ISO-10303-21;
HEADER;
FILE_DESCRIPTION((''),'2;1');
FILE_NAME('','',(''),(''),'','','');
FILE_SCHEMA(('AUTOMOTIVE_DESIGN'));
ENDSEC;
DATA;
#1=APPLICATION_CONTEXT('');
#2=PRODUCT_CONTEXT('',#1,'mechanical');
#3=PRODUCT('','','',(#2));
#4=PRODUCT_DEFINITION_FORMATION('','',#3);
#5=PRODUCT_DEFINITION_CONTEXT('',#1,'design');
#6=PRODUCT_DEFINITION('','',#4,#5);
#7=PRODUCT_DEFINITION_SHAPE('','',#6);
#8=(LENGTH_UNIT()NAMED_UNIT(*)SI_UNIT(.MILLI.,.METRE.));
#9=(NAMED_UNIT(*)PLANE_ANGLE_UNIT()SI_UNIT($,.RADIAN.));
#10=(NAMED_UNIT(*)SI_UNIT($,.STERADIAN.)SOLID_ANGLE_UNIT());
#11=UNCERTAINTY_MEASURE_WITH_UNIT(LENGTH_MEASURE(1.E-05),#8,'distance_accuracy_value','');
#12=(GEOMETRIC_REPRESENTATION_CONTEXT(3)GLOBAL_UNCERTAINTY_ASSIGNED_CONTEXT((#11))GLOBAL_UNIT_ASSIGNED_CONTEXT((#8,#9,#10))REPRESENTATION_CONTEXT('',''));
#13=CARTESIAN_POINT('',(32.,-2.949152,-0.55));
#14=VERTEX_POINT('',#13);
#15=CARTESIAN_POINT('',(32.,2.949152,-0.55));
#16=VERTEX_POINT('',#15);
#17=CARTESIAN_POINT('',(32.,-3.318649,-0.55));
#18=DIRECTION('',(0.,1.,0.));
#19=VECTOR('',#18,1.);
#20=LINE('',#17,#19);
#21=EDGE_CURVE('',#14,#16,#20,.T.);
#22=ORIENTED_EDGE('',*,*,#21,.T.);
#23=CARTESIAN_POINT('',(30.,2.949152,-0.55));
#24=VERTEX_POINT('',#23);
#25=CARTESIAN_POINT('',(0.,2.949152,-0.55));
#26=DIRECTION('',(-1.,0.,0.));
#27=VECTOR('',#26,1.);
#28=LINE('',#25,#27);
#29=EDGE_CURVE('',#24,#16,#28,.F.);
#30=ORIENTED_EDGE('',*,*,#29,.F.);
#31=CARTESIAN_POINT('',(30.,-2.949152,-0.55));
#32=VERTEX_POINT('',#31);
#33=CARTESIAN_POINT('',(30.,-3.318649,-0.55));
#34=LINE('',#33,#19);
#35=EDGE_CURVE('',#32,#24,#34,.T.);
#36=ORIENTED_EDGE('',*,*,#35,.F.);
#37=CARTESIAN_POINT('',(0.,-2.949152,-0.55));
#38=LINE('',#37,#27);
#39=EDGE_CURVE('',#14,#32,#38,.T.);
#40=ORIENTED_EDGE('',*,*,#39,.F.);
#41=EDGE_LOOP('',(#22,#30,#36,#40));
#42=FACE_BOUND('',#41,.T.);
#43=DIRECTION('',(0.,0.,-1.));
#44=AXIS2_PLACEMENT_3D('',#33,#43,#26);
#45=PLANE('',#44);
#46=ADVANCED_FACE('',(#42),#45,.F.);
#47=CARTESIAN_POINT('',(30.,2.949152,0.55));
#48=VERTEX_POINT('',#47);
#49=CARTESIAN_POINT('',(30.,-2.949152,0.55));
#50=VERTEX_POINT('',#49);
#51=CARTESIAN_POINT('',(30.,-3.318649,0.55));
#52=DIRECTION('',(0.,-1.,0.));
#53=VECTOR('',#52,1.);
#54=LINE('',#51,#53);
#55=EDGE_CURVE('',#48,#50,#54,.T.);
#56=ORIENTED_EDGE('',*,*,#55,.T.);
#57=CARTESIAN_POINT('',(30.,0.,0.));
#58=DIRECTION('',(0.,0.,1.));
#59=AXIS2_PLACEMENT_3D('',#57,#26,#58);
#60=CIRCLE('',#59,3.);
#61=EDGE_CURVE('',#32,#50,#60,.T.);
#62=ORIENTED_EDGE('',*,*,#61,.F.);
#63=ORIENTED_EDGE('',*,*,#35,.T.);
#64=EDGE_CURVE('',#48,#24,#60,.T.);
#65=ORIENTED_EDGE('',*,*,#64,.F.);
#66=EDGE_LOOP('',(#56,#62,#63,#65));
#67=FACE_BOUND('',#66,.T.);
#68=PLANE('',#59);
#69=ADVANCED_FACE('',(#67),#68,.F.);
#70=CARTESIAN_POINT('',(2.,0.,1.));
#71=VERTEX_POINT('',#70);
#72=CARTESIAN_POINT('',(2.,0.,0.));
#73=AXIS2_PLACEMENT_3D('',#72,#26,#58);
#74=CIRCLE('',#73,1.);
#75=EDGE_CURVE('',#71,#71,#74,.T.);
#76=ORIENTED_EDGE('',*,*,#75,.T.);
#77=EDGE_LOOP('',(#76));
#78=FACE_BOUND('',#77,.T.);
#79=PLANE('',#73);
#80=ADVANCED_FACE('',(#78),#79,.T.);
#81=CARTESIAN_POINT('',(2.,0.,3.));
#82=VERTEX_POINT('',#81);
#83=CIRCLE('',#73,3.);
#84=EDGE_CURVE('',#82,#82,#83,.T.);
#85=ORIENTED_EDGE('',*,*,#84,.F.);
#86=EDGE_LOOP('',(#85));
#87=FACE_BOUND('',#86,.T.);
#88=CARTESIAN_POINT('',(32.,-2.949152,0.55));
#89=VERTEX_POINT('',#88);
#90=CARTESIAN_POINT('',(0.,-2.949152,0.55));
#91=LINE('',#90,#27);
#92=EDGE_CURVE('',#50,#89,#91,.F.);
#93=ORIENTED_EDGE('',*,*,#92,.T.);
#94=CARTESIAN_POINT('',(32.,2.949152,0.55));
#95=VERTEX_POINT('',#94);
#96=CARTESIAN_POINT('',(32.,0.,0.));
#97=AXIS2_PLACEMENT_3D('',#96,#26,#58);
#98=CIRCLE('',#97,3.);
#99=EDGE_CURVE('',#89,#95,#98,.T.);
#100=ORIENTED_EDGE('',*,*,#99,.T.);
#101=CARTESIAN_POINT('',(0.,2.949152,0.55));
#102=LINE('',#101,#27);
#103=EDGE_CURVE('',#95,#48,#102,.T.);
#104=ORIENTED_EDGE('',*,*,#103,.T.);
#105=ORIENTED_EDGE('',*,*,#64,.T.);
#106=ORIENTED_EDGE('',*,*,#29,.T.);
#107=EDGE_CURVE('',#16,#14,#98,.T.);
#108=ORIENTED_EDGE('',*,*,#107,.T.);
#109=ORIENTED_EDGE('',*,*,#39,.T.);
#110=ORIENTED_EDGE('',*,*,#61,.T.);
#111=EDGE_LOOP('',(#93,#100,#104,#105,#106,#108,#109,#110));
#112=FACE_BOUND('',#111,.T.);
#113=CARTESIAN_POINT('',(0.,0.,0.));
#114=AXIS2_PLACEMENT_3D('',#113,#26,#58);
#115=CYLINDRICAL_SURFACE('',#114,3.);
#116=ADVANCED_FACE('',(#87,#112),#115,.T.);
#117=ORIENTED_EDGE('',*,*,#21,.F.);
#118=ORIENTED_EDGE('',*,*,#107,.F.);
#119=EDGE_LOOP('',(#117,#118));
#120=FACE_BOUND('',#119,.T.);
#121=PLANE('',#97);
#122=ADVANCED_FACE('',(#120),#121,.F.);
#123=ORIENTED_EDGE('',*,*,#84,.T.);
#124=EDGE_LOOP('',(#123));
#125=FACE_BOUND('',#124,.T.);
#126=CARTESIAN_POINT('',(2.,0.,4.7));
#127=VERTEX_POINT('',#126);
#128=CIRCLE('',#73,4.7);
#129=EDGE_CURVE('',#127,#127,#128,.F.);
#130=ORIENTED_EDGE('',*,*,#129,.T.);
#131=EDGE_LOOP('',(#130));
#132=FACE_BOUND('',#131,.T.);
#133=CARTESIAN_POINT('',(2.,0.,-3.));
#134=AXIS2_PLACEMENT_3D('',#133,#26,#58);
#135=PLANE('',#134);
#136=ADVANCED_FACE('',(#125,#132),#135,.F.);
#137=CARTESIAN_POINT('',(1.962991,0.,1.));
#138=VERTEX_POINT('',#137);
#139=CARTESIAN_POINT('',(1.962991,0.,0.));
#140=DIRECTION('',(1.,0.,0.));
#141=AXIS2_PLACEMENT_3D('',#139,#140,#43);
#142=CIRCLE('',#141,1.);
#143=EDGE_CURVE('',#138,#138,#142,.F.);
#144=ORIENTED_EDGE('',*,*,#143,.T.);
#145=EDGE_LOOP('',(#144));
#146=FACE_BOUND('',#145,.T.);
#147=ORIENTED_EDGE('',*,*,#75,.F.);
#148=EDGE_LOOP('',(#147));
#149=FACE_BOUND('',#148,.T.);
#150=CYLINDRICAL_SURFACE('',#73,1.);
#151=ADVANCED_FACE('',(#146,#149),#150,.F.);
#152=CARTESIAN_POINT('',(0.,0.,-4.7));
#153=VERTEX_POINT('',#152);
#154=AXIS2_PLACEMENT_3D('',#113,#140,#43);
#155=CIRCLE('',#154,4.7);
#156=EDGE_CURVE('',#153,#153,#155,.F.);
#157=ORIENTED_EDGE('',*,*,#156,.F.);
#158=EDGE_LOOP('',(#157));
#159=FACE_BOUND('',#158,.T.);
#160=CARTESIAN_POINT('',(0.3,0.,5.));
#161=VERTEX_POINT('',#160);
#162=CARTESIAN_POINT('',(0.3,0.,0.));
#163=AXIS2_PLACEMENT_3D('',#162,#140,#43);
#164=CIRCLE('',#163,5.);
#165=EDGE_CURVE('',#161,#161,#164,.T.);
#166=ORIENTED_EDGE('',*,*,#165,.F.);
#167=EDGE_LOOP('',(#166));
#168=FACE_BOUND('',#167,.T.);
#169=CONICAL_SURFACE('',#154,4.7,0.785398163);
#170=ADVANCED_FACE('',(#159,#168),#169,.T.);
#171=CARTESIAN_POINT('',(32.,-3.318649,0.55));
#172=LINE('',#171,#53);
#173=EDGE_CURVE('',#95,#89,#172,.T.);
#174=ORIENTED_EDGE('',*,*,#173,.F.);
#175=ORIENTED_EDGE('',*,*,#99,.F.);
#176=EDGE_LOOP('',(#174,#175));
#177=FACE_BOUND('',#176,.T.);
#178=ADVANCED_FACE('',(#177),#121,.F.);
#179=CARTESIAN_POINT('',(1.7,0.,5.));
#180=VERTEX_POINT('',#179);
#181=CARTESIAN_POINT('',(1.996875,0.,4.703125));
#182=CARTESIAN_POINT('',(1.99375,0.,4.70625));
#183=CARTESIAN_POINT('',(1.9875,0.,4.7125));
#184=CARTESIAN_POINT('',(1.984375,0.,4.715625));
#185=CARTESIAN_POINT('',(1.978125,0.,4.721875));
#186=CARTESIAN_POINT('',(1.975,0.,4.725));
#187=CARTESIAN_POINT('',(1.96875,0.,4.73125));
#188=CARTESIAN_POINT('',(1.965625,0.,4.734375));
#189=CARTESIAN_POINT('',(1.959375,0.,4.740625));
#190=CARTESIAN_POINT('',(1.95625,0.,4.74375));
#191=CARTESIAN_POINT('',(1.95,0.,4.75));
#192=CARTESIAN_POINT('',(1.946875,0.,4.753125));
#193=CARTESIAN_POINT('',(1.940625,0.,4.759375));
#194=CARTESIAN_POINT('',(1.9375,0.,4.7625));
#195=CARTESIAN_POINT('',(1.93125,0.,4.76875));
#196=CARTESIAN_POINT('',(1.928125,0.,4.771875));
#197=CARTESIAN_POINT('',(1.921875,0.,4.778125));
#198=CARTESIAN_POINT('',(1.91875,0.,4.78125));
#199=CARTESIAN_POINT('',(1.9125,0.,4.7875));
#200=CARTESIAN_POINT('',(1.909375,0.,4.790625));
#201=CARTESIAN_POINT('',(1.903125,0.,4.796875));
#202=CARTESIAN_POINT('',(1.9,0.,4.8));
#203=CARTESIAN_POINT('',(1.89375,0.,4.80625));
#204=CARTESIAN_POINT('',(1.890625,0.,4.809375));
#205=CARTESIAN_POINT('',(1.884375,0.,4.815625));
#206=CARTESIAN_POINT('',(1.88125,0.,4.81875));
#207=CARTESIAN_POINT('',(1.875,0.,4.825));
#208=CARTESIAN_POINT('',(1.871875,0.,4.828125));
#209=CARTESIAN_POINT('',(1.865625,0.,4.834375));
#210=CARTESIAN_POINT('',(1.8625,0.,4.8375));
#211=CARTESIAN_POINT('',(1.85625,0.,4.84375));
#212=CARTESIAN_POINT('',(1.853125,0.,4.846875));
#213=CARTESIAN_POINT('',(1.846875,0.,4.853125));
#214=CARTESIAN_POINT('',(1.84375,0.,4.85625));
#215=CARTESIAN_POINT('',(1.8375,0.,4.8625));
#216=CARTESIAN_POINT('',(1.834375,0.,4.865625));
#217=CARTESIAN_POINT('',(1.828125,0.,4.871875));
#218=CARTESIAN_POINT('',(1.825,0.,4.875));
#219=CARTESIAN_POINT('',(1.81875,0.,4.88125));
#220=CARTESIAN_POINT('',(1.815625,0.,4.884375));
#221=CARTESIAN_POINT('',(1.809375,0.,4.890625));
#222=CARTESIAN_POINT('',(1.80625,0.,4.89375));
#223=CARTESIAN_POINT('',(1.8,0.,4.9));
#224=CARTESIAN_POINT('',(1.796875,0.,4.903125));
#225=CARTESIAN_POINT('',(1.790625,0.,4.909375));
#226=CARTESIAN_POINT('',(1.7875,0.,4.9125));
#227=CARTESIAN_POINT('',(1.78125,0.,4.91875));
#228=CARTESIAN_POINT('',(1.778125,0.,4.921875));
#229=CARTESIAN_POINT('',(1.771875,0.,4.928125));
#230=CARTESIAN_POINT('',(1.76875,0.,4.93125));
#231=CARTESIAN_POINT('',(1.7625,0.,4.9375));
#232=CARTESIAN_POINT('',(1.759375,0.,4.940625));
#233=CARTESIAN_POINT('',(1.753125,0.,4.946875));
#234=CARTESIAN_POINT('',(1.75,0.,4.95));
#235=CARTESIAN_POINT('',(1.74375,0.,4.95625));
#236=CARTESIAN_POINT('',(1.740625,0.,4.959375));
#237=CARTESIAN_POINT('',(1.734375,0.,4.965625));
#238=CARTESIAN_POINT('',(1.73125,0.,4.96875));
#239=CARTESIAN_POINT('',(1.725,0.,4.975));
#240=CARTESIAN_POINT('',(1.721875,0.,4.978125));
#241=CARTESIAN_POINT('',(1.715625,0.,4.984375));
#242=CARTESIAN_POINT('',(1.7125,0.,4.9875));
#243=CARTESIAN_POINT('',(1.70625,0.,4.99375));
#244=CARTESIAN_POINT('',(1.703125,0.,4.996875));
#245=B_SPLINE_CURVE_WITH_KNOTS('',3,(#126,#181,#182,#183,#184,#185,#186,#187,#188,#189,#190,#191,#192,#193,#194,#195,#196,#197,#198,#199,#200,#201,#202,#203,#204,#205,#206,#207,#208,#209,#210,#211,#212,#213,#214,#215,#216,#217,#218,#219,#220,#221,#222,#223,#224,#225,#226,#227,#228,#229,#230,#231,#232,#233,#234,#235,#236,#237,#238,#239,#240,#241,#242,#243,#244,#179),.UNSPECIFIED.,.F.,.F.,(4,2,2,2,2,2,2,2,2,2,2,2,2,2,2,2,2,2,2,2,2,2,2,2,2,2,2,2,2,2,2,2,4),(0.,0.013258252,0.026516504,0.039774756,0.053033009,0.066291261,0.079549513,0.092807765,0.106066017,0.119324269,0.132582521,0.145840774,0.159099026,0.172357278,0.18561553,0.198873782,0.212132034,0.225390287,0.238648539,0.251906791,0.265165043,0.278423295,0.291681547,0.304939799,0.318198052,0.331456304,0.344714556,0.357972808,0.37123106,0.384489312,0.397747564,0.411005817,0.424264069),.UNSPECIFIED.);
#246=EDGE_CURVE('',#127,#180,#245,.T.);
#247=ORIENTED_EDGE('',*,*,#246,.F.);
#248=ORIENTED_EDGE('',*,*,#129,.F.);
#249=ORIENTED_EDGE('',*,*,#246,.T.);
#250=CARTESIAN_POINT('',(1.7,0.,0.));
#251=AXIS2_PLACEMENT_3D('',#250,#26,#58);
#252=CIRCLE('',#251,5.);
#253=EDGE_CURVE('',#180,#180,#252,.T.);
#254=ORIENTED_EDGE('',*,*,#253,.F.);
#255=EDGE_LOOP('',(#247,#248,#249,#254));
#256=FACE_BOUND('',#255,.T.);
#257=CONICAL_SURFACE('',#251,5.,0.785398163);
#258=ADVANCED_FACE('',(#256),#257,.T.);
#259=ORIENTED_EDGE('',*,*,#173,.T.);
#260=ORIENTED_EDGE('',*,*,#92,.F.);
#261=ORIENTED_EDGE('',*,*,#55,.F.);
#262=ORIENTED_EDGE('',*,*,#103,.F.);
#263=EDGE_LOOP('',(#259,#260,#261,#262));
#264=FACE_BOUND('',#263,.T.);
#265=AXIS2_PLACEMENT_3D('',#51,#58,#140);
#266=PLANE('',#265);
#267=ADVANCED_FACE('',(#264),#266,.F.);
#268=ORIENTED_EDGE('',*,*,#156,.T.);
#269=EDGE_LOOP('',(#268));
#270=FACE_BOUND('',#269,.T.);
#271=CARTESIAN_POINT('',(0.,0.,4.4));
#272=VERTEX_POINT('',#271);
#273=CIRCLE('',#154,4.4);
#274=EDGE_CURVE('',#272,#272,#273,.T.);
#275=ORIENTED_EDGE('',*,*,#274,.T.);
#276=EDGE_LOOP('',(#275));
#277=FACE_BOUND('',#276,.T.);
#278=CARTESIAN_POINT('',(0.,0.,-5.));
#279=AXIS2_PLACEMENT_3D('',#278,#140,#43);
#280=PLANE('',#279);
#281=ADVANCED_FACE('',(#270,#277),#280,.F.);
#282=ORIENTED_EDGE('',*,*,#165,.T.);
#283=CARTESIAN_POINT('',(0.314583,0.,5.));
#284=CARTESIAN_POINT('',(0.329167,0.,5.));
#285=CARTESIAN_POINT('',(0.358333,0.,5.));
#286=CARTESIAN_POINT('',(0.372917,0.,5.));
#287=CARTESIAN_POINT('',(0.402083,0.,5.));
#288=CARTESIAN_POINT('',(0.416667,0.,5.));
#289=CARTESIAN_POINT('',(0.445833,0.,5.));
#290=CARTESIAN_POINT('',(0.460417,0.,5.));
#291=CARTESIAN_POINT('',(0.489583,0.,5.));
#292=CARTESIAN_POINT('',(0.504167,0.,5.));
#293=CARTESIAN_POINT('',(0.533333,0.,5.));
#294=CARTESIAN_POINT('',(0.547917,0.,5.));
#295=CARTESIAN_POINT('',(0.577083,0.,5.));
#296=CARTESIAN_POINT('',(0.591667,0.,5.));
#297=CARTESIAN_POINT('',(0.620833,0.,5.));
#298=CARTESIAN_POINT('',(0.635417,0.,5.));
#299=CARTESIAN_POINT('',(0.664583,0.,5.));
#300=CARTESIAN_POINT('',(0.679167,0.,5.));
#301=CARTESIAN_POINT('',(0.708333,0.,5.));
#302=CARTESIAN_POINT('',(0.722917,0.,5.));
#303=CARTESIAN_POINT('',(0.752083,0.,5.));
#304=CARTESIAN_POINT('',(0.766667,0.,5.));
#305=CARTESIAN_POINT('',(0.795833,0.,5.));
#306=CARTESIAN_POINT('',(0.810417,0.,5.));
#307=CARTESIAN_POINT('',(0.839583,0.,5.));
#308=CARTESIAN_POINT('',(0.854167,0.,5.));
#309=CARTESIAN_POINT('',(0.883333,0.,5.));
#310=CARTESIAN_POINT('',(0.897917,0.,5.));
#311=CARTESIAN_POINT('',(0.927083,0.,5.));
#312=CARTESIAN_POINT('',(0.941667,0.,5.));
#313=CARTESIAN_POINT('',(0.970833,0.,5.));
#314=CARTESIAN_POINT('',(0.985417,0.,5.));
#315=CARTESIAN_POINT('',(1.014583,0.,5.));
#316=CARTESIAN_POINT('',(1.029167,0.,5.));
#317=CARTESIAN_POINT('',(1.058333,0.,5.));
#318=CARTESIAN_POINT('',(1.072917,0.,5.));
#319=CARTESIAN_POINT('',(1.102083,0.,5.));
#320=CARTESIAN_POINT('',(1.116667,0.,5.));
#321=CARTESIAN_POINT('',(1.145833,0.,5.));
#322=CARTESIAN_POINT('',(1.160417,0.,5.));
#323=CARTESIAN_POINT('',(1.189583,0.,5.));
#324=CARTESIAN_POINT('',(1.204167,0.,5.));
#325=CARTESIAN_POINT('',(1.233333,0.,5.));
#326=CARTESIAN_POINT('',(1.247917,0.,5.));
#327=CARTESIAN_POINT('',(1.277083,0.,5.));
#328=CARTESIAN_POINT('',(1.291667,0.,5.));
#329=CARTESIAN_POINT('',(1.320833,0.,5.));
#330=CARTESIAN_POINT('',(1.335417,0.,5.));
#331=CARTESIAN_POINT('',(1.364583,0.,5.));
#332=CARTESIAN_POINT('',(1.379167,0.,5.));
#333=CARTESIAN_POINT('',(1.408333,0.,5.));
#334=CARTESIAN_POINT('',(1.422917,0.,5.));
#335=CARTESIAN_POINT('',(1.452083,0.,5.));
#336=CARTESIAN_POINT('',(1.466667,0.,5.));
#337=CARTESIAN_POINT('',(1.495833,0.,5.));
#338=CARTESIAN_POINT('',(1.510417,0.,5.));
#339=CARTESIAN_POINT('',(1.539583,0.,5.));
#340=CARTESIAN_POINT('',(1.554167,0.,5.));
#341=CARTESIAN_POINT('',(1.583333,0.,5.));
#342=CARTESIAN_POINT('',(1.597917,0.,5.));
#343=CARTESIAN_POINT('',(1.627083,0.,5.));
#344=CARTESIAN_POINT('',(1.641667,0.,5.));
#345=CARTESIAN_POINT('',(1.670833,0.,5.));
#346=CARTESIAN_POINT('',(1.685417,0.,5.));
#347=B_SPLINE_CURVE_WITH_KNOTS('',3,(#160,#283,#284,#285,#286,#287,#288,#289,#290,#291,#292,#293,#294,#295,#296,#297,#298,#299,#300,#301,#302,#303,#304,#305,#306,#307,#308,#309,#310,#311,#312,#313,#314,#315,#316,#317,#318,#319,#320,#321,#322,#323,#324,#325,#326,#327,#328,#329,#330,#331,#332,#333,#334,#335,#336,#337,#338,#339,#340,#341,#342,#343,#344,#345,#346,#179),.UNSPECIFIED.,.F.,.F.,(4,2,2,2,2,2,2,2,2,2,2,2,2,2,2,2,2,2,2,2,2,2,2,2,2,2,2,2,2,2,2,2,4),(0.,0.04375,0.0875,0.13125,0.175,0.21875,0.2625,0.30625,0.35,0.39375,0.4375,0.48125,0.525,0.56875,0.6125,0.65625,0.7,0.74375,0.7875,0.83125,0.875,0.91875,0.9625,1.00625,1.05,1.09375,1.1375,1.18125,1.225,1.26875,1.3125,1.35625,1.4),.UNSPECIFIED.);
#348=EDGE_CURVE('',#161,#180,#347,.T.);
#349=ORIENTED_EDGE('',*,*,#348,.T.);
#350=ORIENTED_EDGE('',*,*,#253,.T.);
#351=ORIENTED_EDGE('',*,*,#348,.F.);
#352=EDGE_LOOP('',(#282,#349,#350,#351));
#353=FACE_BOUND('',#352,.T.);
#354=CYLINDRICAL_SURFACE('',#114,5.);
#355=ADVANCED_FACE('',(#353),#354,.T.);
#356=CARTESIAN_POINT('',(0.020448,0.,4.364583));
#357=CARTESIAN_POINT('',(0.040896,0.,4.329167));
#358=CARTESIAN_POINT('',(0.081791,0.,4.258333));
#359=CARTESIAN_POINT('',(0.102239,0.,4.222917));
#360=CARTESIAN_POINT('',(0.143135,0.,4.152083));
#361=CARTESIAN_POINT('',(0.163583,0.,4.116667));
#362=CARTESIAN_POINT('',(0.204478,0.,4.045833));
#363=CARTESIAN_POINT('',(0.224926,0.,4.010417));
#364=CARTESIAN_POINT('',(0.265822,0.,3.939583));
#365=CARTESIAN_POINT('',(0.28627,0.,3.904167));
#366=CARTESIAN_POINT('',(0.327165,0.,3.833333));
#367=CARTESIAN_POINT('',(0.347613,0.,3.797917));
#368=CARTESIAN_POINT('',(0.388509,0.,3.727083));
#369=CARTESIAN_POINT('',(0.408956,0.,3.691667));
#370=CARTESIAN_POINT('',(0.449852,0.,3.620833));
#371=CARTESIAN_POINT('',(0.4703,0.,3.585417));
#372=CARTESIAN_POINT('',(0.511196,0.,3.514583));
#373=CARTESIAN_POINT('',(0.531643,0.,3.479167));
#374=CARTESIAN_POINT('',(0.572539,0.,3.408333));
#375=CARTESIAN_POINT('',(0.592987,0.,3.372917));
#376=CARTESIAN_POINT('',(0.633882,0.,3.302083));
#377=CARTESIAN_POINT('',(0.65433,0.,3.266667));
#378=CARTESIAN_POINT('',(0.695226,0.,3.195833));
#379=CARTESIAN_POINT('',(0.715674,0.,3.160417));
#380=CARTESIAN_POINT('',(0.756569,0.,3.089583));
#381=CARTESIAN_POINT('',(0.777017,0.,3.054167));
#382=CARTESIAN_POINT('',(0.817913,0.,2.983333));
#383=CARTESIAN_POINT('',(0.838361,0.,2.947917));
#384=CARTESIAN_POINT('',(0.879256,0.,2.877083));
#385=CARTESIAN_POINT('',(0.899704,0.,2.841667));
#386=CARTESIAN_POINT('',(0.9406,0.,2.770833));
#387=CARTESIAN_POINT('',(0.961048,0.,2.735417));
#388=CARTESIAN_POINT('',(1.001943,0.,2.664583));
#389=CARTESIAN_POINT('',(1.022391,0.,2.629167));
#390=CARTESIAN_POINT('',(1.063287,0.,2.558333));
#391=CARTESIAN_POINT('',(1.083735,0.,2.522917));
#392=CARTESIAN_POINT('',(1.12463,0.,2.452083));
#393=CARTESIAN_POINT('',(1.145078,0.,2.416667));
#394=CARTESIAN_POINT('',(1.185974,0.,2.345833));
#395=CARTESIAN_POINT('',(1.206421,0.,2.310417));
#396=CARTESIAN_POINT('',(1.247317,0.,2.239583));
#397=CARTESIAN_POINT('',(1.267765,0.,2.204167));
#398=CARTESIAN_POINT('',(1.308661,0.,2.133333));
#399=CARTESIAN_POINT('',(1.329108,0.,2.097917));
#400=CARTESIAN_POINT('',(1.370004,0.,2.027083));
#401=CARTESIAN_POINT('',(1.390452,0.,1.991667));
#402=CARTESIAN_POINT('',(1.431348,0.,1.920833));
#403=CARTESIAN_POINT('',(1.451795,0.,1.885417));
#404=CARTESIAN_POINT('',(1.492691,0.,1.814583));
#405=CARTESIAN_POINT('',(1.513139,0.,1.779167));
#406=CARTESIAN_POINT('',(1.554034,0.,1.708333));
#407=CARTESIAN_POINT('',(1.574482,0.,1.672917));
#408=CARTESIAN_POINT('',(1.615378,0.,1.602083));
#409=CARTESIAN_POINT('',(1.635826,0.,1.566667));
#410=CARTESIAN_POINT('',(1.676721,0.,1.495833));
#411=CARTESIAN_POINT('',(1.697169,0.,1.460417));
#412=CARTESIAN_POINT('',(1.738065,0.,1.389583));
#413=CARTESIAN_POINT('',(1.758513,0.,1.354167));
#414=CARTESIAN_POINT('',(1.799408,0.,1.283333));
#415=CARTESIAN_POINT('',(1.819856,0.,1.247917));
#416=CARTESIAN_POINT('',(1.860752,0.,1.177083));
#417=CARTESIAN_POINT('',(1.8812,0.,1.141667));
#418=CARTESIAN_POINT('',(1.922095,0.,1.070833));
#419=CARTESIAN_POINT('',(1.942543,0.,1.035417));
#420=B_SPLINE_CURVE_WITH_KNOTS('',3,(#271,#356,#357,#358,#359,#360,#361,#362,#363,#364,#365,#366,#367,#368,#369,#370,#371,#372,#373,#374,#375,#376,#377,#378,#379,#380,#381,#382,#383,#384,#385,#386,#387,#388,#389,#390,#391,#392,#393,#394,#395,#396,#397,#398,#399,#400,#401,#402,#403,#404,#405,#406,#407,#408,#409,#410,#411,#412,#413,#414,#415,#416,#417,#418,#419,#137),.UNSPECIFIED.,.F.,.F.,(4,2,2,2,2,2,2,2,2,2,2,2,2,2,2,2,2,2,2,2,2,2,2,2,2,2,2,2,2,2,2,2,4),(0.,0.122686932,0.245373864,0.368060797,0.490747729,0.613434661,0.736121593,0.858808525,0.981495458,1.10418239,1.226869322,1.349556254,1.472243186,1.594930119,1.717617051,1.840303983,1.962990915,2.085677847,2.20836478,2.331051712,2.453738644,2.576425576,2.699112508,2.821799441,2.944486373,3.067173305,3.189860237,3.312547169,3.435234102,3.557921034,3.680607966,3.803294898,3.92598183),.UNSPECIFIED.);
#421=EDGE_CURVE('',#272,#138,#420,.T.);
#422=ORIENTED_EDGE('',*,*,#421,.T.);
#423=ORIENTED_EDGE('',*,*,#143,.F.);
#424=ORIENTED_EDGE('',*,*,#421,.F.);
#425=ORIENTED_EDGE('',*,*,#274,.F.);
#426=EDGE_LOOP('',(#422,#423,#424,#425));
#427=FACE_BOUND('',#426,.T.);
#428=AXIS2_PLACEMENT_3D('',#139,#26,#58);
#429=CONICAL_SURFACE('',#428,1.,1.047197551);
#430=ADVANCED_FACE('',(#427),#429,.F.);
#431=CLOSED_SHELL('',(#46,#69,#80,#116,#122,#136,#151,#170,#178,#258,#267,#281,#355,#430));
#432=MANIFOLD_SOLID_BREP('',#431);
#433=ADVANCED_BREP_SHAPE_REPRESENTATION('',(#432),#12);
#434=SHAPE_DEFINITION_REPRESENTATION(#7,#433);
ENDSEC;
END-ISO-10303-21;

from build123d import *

# Parameters (mm, degrees)
ESBO_O3_W                = 1.1
ESBO_O3_H                = 7.097813332
CORTE_EXTRUS_O1_DEPTH    = 2
ESBO_O4_R                = 1
RESSALTO_EXTRUS_O1_DEPTH = 2
ESBO_O8_R                = 1
CORTE_EXTRUS_O2_DEPTH    = 2
CHANFRO2_SIZE            = 3.4
CHANFRO2_SIZE2           = 1.962990915
CHANFRO3_SIZE            = 0.3


with BuildPart() as part:
    # Esboço1 → Revolução1 (revolve)
    with BuildSketch(Plane(origin=(0, 0, 0), x_dir=(1, 0, 0), z_dir=(0, 1, 0)), mode=Mode.PRIVATE) as revolu_o1_sk:
        Polygon((0, 0), (32, 0), (32, 3), (2, 3), (2, 5), (0, 5), align=None)
    revolve(revolu_o1_sk.sketch.rotate(Axis((0, 0, 0), (1, 0, 0)), 180), axis=Axis((0, 0, 0), (1, 0, 0)))

    # Esboço3 → Corte-extrusão1 (cut)
    with BuildSketch(Plane(origin=(32, 0, 0), x_dir=(0, 0, -1), z_dir=(1, 0, 0))):
        with Locations((0, 0.230257265)):
            Rectangle(ESBO_O3_W, ESBO_O3_H)
    extrude(amount=-CORTE_EXTRUS_O1_DEPTH, mode=Mode.SUBTRACT)


with BuildPart() as body_2:
    # Esboço4 → Ressalto-extrusão1 (new body)
    with BuildSketch(Plane.ZY):
        Circle(ESBO_O4_R)
    extrude(amount=-RESSALTO_EXTRUS_O1_DEPTH)


with BuildPart() as corte_extrus_o2_tool:
    # Esboço8 → Corte-extrusão2 (new body)
    with BuildSketch(Plane.ZY):
        Circle(ESBO_O8_R)
    extrude(amount=-CORTE_EXTRUS_O2_DEPTH)


with BuildPart() as part_1:
    add(part.part)

    # Corte-extrusão2: cut by corte_extrus_o2_tool
    add(corte_extrus_o2_tool.part, mode=Mode.SUBTRACT)

    # Chanfro2
    chanfro2_edges = [part_1.edges().sort_by_distance(p)[0] for p in [
        (0, 0, -1),
    ]]
    chanfro2_side = [part_1.faces().sort_by_distance(p)[0] for p in [
        (0, 0, -4.858578644),
    ]]
    chamfer(chanfro2_edges, length=CHANFRO2_SIZE, length2=CHANFRO2_SIZE2, reference=chanfro2_side[0])

    # Chanfro3
    chanfro3_edges = [part_1.edges().sort_by_distance(p)[0] for p in [
        (0, 0, -5),
        (2, 0, -5),
    ]]
    chamfer(chanfro3_edges, length=CHANFRO3_SIZE)


with BuildPart() as body_2_1:
    add(body_2.part)

    # Corte-extrusão2: cut by corte_extrus_o2_tool
    add(corte_extrus_o2_tool.part, mode=Mode.SUBTRACT)


solid = part_1.part
